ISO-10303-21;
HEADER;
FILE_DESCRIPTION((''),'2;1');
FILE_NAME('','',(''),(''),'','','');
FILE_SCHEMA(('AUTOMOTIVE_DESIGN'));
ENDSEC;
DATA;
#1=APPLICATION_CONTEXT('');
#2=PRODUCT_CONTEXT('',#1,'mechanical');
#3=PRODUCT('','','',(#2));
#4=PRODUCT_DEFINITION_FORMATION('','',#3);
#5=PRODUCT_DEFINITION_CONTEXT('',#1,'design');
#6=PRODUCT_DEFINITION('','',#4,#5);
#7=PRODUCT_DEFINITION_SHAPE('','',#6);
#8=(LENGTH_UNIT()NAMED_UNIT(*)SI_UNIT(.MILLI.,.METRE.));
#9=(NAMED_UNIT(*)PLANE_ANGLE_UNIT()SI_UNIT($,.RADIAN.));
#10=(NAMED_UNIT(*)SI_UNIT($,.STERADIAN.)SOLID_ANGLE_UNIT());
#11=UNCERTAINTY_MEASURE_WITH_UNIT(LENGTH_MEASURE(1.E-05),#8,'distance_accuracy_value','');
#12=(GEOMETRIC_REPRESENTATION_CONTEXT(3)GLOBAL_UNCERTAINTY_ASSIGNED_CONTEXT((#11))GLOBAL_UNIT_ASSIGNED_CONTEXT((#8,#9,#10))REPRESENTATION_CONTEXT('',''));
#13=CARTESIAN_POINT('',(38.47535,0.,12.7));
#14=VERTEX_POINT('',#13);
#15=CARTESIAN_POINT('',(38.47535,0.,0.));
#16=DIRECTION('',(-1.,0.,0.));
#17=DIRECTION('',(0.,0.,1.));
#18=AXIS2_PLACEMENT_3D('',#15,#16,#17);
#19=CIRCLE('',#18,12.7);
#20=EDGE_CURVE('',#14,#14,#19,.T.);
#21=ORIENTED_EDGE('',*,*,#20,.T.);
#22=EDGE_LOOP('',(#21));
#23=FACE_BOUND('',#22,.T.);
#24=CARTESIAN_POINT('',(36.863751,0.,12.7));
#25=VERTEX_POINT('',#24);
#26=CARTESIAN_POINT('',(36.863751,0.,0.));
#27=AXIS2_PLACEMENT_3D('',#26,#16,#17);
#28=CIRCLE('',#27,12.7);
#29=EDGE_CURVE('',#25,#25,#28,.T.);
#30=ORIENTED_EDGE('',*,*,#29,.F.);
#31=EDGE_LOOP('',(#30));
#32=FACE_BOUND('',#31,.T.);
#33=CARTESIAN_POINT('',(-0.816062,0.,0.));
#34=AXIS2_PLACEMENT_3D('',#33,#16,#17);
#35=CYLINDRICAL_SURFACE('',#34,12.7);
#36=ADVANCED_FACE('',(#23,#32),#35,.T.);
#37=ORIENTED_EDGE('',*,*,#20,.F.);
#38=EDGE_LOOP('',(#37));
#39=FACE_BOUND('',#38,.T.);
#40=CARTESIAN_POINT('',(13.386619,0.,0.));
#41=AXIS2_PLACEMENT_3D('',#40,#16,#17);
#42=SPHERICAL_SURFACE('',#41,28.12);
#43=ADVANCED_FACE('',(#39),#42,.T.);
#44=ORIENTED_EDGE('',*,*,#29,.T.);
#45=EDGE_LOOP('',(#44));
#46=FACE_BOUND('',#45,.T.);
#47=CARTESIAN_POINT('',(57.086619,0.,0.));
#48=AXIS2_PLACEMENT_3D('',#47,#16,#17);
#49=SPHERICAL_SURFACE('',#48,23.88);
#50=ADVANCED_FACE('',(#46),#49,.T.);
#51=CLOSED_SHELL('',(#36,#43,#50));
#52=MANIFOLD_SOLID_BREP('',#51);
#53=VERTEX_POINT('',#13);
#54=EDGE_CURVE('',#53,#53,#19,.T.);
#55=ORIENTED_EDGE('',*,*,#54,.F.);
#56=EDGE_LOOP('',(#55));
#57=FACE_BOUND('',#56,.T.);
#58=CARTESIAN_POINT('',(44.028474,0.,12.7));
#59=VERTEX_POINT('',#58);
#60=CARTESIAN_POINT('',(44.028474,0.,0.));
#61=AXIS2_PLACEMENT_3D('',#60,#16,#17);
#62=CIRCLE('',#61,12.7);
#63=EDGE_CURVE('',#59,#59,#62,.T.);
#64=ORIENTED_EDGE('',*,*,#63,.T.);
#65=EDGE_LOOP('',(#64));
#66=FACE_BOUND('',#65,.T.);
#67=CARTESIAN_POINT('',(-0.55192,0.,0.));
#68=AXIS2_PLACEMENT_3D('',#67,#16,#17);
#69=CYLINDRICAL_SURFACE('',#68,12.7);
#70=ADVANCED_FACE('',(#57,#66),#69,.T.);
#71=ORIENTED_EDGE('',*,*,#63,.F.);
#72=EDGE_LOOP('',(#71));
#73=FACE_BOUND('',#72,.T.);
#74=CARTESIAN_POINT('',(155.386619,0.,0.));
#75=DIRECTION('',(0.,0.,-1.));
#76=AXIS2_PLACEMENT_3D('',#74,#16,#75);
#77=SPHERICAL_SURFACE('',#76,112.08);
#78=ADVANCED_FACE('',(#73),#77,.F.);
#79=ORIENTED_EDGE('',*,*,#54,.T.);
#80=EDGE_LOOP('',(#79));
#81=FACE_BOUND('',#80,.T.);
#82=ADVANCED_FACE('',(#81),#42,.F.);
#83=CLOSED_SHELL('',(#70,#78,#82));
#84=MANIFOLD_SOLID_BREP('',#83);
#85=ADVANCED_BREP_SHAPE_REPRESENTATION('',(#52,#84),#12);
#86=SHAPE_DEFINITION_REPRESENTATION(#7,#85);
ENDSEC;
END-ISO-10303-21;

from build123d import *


with BuildPart() as part:
    # 草图1 one side → 旋转1 (revolve)
    with BuildSketch(Plane(origin=(0, 0, 0), x_dir=(1, 0, 0), z_dir=(0, 1, 0)), mode=Mode.PRIVATE) as revolve_1_sk:
        with BuildLine():
            ThreePointArc((36.863750972, 12.7), (34.139108527, 6.608037013), (33.206619216, 0))
            Line((33.206619216, 0), (41.506619216, 0))
            ThreePointArc((41.506619216, 0), (40.738305661, 6.528372587), (38.475349754, 12.7))
            Line((38.475349754, 12.7), (36.863750972, 12.7))
        make_face()
    revolve(revolve_1_sk.sketch.rotate(Axis((-0.816062176, 0, 0), (1, 0, 0)), 180), axis=Axis((-0.816062176, 0, 0), (1, 0, 0)))  # turned: the seam where the file's is


with BuildPart() as body_2:
    # 草图2 one side → 旋转2 (revolve)
    with BuildSketch(Plane(origin=(0, 0, 0), x_dir=(1, 0, 0), z_dir=(0, 1, 0)), mode=Mode.PRIVATE) as revolve_2_sk:
        with BuildLine():
            Line((44.028474476, 12.7), (38.475349754, 12.7))
            ThreePointArc((38.475349754, 12.7), (40.738305661, 6.528372587), (41.506619216, 0))
            Line((41.506619216, 0), (43.306619216, 0))
            ThreePointArc((43.306619216, 0), (43.487228551, 6.360249111), (44.028474476, 12.7))
        make_face()
    revolve(revolve_2_sk.sketch.rotate(Axis((-0.551919993, 0, 0), (1, 0, 0)), 180), axis=Axis((-0.551919993, 0, 0), (1, 0, 0)))  # turned: the seam where the file's is


solid = Compound([part.part, body_2.part])
